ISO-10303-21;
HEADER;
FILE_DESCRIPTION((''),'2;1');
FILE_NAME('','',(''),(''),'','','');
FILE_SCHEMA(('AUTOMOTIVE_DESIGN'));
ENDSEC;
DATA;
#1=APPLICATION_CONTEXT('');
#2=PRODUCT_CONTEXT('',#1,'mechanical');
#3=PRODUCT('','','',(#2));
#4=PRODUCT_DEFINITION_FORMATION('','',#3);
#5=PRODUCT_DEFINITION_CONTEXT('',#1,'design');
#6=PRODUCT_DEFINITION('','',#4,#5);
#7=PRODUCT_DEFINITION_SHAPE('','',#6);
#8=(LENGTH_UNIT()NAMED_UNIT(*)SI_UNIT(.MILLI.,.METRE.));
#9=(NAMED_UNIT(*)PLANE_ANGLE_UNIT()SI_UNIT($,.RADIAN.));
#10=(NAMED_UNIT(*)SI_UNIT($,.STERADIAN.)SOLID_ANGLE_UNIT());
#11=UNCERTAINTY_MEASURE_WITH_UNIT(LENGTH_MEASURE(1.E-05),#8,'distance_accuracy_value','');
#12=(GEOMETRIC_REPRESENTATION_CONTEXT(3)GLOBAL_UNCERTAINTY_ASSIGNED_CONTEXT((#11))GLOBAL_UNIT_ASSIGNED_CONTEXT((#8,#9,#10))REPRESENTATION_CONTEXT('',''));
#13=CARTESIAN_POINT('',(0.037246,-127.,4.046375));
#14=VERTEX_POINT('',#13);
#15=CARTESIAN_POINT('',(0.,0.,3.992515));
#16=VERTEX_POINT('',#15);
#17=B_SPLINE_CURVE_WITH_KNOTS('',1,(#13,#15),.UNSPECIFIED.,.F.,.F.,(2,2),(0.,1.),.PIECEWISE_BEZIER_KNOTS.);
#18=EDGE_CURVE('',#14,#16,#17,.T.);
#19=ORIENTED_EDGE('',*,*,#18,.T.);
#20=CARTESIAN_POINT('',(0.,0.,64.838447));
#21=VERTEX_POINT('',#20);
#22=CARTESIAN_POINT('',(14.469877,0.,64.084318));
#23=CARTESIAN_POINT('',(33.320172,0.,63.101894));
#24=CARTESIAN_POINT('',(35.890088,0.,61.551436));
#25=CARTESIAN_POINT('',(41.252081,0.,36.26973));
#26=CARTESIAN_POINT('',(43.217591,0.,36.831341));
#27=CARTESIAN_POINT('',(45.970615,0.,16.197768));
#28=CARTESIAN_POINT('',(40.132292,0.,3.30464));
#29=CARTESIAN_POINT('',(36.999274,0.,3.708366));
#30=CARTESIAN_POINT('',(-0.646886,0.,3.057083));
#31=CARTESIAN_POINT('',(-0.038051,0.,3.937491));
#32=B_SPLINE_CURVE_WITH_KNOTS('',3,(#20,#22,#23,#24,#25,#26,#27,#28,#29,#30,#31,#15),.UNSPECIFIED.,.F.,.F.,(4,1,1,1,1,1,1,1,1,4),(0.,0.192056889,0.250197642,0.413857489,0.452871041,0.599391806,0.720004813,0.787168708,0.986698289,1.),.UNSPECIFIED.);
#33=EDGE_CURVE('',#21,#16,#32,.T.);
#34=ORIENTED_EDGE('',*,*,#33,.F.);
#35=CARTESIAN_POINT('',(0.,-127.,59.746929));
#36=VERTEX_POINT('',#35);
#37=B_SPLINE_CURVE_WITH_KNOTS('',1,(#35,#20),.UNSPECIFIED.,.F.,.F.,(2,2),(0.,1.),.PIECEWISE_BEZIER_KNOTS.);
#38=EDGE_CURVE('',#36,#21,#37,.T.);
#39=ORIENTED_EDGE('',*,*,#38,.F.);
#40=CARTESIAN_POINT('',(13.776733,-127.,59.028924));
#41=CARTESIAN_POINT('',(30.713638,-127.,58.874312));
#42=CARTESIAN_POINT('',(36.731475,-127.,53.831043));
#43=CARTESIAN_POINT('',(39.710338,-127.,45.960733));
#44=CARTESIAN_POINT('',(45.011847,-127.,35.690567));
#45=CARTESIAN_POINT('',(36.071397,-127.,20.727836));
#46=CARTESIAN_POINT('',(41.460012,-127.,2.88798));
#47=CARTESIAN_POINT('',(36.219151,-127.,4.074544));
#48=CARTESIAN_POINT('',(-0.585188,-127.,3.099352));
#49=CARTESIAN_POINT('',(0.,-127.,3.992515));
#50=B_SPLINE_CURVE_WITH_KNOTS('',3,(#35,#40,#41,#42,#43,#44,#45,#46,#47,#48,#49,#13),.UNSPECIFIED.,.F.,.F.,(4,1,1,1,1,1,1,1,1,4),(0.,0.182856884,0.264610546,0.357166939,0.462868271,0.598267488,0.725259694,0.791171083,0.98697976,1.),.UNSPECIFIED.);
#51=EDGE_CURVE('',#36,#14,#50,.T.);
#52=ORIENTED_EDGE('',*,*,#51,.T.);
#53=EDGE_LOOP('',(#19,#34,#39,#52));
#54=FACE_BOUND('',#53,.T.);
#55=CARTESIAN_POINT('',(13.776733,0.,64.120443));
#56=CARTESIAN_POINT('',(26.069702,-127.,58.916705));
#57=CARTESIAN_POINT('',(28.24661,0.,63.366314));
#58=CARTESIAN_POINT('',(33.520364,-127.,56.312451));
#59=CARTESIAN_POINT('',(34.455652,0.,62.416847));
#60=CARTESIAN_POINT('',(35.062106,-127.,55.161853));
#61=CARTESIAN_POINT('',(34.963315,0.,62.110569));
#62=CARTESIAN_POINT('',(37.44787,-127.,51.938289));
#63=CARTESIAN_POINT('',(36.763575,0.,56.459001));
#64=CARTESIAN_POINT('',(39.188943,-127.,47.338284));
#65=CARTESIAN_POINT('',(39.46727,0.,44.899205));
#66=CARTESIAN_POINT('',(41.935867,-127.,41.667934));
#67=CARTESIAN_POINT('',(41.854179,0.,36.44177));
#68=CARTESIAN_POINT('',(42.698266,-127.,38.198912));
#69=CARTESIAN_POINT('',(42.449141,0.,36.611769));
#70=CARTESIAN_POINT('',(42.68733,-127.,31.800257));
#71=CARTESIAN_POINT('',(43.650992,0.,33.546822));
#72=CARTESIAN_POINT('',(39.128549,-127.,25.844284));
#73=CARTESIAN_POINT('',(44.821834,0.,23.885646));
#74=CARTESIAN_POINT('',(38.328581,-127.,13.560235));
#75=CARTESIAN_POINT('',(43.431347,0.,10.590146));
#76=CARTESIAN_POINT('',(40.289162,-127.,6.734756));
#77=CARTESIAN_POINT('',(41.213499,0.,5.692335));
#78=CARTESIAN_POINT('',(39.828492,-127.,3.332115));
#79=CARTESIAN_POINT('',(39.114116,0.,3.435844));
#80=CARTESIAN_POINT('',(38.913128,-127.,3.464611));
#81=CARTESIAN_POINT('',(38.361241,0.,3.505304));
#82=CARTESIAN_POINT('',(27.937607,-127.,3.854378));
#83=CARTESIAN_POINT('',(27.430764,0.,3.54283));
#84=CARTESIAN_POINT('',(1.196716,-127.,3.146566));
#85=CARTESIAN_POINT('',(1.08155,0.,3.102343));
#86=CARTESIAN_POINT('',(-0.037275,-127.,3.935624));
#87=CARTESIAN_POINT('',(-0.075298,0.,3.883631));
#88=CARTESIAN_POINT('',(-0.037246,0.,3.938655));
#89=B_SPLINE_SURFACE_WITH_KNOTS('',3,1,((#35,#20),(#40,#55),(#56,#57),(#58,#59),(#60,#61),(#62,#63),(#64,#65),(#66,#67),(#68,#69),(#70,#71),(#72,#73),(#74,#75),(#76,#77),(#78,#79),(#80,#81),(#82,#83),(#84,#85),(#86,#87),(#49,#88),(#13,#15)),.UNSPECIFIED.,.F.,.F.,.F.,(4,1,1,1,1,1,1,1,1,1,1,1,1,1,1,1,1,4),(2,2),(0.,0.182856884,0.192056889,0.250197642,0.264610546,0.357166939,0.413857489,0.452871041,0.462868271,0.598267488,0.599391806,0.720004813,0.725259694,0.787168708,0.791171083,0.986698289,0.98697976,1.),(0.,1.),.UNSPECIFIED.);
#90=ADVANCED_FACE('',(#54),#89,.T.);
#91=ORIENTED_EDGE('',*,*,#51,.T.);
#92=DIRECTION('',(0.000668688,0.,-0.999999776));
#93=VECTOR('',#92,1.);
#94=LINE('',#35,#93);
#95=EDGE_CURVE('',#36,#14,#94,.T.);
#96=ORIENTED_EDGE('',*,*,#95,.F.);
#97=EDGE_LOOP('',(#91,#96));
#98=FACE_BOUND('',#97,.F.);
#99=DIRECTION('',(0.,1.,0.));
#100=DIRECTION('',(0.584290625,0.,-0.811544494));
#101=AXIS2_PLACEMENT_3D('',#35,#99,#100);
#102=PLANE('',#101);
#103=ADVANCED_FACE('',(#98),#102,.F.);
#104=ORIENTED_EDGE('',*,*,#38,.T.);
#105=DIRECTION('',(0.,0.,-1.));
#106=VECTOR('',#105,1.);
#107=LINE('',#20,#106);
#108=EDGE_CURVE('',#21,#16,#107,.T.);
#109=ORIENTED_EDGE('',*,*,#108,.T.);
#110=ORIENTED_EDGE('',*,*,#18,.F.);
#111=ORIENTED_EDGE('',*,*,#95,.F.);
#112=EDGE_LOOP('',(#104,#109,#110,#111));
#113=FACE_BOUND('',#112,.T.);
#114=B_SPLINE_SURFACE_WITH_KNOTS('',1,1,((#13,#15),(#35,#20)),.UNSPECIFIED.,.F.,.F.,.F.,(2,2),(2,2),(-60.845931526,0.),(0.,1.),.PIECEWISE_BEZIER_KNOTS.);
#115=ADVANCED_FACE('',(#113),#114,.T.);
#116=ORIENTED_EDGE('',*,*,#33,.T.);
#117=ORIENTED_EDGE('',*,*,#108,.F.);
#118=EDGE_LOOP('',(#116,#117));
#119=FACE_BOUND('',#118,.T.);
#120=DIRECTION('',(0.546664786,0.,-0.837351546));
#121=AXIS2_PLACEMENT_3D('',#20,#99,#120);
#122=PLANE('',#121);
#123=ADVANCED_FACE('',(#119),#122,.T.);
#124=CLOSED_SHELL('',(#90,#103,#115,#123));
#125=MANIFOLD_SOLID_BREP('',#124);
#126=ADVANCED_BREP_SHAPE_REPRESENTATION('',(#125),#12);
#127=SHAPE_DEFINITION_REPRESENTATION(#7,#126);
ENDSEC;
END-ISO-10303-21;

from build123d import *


with BuildPart() as f3:
    # F2 (on offset) → F3 section 0
    with BuildSketch(Plane.XZ.offset(127)):
        with BuildLine():
            add(Edge.make_bspline(
                [(0, 59.7469285131), (13.776733391, 59.0289244668), (30.71363771, 58.874311886), (36.7314751128, 53.8310430822), (39.7103375064, 45.9607331454), (45.0118465274, 35.6905668481), (36.0713973489, 20.7278362032), (41.4600116316, 2.8879798209), (36.219150842, 4.0745441274), (-0.585187595, 3.0993516166), (0, 3.9925151505), (0.0372463065, 4.0463752858)],
                knots=[0, 0, 0, 0, 0.1828568843, 0.2646105456, 0.3571669392, 0.4628682711, 0.5982674885, 0.7252596938, 0.7911710833, 0.9869797597, 1, 1, 1, 1], degree=3))
            Line((0, 59.7469285131), (0.0372463065, 4.0463752858))
        make_face()
    # F0 (on Front) → F3 section 1
    with BuildSketch(Plane.XZ):
        with BuildLine():
            add(Edge.make_bspline(
                [(0, 64.8384466767), (14.4698766117, 64.084317983), (33.3201715674, 63.1018943803), (35.8900881666, 61.5514363196), (41.2520812022, 36.2697304251), (43.2175909516, 36.8313406408), (45.9706151743, 16.19776792), (40.1322921997, 3.3046398595), (36.999273732, 3.7083661425), (-0.6468864401, 3.0570833487), (-0.0380514844, 3.9374907035), (0, 3.9925151505)],
                knots=[0, 0, 0, 0, 0.1920568888, 0.2501976416, 0.4138574892, 0.4528710414, 0.5993918055, 0.7200048131, 0.7871687083, 0.9866982891, 1, 1, 1, 1], degree=3))
            Line((0, 64.8384466767), (0, 3.9925151505))
        make_face()
    loft()


solid = f3.part
